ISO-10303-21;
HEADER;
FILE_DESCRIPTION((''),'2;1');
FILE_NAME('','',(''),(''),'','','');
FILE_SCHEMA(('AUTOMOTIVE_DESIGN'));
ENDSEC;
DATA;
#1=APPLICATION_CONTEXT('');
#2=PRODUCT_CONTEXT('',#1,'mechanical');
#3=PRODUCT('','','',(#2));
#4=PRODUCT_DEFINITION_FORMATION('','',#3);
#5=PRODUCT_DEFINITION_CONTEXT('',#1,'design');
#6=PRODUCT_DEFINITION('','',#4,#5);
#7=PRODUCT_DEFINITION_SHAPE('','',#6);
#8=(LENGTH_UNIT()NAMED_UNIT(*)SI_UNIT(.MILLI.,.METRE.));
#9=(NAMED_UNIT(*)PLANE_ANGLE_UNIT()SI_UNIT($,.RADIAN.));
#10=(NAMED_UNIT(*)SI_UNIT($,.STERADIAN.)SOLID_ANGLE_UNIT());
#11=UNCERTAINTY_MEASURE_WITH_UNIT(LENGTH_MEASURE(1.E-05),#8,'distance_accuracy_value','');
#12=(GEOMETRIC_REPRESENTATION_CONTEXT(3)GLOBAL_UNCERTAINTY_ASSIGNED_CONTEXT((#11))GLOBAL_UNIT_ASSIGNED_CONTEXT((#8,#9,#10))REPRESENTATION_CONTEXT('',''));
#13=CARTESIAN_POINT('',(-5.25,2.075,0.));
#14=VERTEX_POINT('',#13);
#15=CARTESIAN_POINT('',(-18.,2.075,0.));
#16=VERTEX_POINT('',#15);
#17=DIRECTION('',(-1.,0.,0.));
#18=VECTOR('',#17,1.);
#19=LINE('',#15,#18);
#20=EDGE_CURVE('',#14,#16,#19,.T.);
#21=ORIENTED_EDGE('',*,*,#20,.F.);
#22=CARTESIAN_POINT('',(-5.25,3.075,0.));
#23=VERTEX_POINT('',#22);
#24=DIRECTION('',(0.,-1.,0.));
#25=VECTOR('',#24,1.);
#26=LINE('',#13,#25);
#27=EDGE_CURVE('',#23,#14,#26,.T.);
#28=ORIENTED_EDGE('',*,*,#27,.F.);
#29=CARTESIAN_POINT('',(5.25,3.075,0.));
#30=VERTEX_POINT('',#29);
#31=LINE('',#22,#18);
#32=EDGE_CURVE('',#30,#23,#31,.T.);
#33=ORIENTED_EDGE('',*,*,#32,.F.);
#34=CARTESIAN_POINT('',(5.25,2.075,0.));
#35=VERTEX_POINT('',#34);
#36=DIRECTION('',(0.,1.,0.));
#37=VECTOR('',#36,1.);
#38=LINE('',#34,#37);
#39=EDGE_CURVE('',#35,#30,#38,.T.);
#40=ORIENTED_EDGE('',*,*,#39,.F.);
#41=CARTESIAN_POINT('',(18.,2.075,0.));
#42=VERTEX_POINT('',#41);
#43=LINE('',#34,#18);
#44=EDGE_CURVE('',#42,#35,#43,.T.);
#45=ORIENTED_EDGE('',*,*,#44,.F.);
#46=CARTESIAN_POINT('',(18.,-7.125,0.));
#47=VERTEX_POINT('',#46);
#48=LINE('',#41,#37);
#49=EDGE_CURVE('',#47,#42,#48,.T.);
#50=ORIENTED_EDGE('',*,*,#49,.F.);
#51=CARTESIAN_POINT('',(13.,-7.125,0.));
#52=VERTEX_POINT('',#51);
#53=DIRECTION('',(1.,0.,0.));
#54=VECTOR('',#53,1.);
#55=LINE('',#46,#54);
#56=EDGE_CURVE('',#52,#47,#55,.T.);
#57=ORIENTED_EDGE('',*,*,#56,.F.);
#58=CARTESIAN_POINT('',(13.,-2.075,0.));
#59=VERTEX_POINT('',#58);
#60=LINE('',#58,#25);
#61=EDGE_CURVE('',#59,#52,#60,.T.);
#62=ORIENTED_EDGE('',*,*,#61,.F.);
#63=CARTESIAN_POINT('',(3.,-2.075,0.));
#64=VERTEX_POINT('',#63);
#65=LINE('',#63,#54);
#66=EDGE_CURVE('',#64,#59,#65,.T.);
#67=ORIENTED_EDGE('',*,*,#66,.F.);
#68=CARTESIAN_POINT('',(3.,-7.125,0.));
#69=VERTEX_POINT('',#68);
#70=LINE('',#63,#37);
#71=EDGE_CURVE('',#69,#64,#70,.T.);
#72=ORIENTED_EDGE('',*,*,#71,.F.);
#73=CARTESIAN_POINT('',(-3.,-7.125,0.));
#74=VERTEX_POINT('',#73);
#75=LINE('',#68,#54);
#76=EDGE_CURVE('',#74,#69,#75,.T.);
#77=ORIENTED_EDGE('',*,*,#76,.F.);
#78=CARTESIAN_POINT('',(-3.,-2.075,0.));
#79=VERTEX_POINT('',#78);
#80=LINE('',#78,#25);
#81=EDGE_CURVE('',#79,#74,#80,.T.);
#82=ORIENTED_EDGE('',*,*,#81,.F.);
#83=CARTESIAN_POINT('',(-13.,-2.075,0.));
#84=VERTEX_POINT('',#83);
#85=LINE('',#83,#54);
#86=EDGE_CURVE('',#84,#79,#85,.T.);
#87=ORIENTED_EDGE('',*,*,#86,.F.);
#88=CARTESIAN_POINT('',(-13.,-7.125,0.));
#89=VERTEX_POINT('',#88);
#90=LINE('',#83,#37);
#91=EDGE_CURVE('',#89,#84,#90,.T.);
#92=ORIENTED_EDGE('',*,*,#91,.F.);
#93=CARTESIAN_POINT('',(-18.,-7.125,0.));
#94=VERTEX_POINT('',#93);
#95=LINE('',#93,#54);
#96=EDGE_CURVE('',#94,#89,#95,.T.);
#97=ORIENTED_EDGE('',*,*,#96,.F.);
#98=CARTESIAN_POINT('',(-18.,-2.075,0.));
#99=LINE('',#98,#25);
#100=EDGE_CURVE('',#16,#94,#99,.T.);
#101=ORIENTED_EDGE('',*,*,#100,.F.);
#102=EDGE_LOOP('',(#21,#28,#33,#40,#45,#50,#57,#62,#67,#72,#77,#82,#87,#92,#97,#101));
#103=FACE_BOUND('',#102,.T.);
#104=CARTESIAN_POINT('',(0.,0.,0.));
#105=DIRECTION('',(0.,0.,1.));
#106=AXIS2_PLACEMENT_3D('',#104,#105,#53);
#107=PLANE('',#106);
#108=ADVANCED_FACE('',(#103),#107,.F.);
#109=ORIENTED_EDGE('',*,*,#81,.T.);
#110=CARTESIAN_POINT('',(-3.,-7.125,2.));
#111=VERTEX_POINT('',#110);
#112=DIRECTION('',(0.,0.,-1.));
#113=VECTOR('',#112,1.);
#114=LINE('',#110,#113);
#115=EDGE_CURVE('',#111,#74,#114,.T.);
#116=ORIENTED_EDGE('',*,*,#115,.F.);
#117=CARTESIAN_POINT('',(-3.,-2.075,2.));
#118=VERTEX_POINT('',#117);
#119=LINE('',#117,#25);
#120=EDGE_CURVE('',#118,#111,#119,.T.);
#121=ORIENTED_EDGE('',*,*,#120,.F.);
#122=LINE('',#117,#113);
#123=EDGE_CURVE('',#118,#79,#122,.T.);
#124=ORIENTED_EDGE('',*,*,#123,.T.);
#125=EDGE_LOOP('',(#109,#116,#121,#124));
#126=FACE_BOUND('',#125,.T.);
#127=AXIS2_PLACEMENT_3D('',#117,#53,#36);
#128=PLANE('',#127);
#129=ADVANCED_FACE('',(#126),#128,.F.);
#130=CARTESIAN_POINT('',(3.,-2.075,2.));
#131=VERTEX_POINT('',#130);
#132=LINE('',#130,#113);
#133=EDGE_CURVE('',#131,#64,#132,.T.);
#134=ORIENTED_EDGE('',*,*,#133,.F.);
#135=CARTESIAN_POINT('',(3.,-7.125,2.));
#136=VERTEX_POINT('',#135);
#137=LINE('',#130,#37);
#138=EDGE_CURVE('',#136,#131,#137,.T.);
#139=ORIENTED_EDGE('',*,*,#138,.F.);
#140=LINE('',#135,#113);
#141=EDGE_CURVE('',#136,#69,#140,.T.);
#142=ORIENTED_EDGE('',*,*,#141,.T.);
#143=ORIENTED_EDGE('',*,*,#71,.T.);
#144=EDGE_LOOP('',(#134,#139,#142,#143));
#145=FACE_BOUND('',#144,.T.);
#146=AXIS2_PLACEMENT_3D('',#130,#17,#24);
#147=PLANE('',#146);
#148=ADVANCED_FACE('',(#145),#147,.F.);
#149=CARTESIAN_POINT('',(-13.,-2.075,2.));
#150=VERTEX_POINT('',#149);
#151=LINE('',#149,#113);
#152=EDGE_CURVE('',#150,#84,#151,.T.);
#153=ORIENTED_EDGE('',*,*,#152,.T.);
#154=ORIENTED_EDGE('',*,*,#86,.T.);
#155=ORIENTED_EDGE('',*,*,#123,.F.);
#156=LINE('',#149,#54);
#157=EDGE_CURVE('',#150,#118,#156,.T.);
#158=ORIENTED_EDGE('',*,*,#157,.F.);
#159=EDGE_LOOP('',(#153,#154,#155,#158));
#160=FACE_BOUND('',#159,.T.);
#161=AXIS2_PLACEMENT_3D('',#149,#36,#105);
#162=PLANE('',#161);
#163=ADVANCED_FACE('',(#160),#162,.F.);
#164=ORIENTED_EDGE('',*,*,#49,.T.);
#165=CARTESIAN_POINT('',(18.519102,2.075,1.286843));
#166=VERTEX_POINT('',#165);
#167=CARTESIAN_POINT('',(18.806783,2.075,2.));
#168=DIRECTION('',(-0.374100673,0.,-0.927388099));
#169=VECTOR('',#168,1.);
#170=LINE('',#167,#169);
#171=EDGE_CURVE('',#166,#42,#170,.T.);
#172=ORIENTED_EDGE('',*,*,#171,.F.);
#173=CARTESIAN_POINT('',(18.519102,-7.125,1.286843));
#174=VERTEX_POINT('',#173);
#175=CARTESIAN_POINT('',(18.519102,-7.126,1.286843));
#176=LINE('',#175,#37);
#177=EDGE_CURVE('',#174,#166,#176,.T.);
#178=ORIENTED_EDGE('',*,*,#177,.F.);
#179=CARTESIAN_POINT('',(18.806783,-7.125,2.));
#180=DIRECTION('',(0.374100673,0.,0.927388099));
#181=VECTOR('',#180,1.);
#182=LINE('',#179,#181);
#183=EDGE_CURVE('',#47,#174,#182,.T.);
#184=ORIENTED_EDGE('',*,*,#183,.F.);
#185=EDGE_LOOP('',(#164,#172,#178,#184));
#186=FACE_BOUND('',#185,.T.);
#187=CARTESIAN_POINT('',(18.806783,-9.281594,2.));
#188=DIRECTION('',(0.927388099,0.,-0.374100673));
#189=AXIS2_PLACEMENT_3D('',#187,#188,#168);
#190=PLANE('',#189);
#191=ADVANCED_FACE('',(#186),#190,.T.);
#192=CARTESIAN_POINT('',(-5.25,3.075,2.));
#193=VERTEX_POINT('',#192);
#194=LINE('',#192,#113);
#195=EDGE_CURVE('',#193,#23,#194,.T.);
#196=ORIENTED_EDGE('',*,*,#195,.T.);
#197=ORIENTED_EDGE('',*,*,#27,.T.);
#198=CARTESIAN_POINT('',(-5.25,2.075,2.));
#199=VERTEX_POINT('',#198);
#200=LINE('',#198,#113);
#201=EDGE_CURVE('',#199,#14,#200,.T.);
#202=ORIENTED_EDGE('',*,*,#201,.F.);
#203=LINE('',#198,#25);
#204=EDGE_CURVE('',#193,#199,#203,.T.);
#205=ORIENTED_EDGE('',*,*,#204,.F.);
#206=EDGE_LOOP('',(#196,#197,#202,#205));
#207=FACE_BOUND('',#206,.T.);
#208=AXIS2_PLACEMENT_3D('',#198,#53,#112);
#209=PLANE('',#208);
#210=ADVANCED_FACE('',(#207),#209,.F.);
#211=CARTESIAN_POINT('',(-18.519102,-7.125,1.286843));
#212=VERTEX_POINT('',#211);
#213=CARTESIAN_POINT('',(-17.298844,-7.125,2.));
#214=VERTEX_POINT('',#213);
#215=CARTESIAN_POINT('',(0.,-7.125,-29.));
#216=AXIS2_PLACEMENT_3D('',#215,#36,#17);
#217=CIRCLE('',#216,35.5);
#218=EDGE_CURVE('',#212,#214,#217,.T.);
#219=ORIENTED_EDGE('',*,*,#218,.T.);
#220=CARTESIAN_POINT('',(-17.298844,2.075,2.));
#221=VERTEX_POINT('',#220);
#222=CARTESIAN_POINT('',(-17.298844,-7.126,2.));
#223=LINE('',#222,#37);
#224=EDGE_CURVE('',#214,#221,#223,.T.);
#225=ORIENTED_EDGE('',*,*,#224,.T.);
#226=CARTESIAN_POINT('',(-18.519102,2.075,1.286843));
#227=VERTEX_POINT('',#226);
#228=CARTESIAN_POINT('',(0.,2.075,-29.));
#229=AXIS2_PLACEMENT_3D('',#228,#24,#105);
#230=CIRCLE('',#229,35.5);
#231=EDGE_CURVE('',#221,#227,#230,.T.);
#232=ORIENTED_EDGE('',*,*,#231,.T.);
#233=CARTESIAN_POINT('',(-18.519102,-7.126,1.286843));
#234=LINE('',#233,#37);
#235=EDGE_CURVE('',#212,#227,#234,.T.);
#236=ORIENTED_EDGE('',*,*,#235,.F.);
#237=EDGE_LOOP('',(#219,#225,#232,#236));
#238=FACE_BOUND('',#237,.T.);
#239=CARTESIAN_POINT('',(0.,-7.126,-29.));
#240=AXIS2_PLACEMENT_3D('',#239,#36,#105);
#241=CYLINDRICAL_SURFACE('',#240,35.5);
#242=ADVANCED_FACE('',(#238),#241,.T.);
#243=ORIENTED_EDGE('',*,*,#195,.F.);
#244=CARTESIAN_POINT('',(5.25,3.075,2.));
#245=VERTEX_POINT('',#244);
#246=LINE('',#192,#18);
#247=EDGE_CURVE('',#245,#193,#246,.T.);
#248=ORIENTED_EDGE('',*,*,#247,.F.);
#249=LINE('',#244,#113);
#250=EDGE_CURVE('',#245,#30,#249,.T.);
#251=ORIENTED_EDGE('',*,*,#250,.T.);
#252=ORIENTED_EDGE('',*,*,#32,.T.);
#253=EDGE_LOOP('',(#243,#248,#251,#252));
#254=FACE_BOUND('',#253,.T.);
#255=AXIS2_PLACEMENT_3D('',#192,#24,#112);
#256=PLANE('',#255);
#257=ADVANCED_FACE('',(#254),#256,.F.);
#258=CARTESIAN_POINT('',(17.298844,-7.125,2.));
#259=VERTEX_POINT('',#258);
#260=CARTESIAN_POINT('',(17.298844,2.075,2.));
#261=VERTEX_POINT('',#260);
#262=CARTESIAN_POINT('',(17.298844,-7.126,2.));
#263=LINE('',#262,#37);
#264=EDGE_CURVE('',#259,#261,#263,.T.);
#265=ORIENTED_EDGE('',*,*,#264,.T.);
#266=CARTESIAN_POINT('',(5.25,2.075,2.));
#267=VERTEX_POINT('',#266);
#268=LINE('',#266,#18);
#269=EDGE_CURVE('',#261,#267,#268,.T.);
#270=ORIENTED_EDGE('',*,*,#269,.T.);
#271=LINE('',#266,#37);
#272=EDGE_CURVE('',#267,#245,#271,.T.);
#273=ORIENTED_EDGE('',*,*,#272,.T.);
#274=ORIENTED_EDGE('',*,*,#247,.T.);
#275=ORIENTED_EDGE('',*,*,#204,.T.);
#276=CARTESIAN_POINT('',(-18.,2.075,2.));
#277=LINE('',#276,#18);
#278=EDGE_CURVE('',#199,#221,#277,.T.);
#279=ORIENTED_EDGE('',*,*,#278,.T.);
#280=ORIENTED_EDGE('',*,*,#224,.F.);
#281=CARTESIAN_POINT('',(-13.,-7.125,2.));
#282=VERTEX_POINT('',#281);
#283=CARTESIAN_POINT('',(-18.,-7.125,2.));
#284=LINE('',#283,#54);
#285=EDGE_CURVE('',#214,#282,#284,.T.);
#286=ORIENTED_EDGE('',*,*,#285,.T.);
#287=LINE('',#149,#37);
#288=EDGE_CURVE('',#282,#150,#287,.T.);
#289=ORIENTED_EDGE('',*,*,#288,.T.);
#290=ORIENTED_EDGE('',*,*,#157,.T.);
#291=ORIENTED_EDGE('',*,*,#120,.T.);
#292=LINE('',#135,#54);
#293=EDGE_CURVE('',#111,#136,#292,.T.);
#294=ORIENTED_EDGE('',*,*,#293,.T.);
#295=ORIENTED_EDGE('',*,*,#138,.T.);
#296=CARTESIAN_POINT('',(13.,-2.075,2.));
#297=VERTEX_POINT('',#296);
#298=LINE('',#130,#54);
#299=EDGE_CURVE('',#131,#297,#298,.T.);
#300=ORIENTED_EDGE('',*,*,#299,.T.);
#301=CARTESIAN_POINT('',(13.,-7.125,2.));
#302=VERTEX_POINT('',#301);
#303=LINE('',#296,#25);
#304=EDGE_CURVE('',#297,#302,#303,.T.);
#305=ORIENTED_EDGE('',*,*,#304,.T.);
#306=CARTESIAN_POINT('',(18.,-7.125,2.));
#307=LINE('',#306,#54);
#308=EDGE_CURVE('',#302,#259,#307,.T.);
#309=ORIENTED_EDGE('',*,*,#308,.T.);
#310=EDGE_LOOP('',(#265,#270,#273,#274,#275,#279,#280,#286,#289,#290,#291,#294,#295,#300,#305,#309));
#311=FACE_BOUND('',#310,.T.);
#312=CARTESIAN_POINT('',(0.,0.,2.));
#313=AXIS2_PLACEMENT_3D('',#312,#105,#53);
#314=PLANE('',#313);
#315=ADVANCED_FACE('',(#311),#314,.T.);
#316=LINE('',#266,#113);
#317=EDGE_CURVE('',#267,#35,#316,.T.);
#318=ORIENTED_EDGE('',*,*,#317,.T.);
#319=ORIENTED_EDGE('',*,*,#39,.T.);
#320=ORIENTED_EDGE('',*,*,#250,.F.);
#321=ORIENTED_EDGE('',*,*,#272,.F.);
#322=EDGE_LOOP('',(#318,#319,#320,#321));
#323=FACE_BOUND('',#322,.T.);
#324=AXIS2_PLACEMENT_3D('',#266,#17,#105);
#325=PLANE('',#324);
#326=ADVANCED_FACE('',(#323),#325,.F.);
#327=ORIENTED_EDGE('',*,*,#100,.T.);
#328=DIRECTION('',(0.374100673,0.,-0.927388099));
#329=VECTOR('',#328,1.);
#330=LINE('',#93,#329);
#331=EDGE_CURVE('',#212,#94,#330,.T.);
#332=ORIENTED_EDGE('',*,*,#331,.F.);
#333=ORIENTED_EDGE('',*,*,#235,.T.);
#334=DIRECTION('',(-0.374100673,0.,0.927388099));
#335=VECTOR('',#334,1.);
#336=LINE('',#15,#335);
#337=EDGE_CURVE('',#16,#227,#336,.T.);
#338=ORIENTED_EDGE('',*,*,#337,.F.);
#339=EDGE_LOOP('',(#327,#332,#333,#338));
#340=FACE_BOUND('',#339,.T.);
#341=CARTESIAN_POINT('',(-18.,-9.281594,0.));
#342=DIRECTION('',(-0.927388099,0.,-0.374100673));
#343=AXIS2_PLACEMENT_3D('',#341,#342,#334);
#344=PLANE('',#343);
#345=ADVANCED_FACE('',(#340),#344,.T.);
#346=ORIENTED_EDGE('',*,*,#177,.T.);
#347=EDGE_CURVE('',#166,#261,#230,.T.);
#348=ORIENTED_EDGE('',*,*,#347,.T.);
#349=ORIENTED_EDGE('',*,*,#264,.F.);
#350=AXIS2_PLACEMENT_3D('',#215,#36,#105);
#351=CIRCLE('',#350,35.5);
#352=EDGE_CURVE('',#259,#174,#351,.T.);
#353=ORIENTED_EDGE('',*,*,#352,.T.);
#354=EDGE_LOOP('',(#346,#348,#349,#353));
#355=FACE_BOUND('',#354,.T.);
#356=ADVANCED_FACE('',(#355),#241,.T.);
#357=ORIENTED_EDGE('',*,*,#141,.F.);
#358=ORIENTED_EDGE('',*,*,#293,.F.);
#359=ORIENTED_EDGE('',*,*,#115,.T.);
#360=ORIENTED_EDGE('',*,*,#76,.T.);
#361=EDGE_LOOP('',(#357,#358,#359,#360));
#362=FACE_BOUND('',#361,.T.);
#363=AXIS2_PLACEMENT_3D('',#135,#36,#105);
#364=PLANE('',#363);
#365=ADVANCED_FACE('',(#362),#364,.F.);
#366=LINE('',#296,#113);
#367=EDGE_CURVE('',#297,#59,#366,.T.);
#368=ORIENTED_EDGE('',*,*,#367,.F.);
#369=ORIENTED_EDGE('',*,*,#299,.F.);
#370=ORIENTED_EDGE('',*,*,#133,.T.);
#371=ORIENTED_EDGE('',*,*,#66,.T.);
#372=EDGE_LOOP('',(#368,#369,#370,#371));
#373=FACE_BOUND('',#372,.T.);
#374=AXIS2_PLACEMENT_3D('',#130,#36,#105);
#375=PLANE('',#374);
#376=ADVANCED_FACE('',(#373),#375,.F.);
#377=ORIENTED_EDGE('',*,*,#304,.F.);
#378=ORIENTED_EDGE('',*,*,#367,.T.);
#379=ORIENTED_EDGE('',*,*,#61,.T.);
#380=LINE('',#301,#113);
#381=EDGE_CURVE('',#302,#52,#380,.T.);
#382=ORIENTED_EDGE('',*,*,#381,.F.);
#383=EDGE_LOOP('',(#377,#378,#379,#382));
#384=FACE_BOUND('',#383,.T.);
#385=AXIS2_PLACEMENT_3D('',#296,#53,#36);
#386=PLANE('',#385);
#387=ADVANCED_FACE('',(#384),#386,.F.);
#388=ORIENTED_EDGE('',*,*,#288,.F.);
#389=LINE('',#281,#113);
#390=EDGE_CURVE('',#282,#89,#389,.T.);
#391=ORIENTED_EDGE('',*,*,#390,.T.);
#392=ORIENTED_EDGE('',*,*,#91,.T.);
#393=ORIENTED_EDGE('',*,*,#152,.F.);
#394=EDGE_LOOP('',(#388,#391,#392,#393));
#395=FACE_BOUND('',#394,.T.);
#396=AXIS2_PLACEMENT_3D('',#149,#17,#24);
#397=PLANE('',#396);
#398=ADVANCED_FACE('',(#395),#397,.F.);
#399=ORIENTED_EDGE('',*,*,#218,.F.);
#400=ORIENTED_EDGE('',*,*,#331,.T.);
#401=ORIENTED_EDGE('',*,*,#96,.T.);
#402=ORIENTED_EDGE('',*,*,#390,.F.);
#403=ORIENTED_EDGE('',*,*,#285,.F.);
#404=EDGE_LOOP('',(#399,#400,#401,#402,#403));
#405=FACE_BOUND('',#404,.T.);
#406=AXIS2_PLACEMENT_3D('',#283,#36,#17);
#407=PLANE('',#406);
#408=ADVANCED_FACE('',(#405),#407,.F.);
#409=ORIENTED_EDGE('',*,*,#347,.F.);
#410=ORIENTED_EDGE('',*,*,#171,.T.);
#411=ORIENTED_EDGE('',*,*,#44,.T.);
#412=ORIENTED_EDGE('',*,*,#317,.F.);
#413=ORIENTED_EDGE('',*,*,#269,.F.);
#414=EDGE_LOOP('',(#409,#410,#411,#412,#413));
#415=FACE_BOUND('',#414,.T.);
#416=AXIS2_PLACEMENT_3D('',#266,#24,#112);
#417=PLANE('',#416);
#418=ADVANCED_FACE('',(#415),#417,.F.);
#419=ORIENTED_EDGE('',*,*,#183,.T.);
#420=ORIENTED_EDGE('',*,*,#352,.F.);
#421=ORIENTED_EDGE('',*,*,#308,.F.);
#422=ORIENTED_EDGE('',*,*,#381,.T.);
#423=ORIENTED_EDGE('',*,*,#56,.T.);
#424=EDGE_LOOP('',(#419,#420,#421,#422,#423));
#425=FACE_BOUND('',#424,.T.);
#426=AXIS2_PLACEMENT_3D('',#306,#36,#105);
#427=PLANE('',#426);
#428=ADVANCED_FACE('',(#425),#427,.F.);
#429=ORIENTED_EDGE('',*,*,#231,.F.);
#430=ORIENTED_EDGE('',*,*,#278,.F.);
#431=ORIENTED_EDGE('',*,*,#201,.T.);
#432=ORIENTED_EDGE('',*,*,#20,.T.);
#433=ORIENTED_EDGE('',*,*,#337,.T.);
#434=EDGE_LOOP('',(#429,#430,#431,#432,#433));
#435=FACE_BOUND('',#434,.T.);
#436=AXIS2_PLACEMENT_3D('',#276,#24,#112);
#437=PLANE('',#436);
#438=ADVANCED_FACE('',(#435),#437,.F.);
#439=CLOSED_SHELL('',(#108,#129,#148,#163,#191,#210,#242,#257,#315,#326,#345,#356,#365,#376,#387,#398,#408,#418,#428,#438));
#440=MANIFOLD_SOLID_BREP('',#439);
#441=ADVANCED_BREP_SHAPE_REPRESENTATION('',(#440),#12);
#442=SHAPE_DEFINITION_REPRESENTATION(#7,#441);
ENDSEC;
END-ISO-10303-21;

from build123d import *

# Parameters (mm, degrees)
BOSS_EXTRUDE1_DEPTH = 2
BOSS_EXTRUDE2_DEPTH = 9.2
CUT_EXTRUDE1_REACH  = 23.032


with BuildPart() as part:
    # Sketch1 → Boss-Extrude1 (new body)
    with BuildSketch(Plane.XY):
        Polygon((3, -2.075), (13, -2.075), (13, -7.125), (18, -7.125), (18, -2.075), (18, 2.075), (5.25, 2.075), (5.25, 3.075), (-5.25, 3.075), (-5.25, 2.075), (-18, 2.075), (-18, -2.075), (-18, -7.125), (-13, -7.125), (-13, -2.075), (-3, -2.075), (-3, -7.125), (3, -7.125), align=None)
    extrude(amount=BOSS_EXTRUDE1_DEPTH)

    # Sketch2 → Boss-Extrude2 (add)
    with BuildSketch(Plane(origin=(0, 2.075, 0), x_dir=(1, 0, 0), z_dir=(0, 1, 0))):
        Polygon((-18, 0), (-18.806783424, -2), (-18, -2), align=None)
        Polygon((18, 0), (18, -2), (18.806783424, -2), align=None)
    extrude(amount=-BOSS_EXTRUDE2_DEPTH)

    # Sketch3 → Cut-Extrude1 (cut, up to next)
    with BuildSketch(Plane(origin=(0, 2.075, 0), x_dir=(1, 0, 0), z_dir=(0, 1, 0)), mode=Mode.PRIVATE) as cut_extrude1_sk1:
        with BuildLine():
            Line((-18.519101852, -1.286843127), (-18.806783424, -2))
            Line((-18.806783424, -2), (-17.298843892, -2))
            ThreePointArc((-17.298843892, -2), (-17.912522366, -1.649494979), (-18.519101852, -1.286843127))
        make_face()
    cut_extrude1_tool1 = extrude(cut_extrude1_sk1.sketch, amount=-CUT_EXTRUDE1_REACH, mode=Mode.PRIVATE) & part.part
    # Sketch3 → Cut-Extrude1 (cut, up to next)
    with BuildSketch(Plane(origin=(0, 2.075, 0), x_dir=(1, 0, 0), z_dir=(0, 1, 0)), mode=Mode.PRIVATE) as cut_extrude1_sk2:
        with BuildLine():
            Line((18.806783424, -2), (17.298843892, -2))
            ThreePointArc((17.298843892, -2), (17.912522366, -1.649494979), (18.519101852, -1.286843127))
            Line((18.519101852, -1.286843127), (18.806783424, -2))
        make_face()
    cut_extrude1_tool2 = extrude(cut_extrude1_sk2.sketch, amount=-CUT_EXTRUDE1_REACH, mode=Mode.PRIVATE) & part.part
    add(cut_extrude1_tool1.solids().sort_by_distance((-18.211961, 2.075, 1.763734))[0], mode=Mode.SUBTRACT)
    add(cut_extrude1_tool2.solids().sort_by_distance((18.211961, 2.075, 1.763734))[0], mode=Mode.SUBTRACT)


solid = part.part
